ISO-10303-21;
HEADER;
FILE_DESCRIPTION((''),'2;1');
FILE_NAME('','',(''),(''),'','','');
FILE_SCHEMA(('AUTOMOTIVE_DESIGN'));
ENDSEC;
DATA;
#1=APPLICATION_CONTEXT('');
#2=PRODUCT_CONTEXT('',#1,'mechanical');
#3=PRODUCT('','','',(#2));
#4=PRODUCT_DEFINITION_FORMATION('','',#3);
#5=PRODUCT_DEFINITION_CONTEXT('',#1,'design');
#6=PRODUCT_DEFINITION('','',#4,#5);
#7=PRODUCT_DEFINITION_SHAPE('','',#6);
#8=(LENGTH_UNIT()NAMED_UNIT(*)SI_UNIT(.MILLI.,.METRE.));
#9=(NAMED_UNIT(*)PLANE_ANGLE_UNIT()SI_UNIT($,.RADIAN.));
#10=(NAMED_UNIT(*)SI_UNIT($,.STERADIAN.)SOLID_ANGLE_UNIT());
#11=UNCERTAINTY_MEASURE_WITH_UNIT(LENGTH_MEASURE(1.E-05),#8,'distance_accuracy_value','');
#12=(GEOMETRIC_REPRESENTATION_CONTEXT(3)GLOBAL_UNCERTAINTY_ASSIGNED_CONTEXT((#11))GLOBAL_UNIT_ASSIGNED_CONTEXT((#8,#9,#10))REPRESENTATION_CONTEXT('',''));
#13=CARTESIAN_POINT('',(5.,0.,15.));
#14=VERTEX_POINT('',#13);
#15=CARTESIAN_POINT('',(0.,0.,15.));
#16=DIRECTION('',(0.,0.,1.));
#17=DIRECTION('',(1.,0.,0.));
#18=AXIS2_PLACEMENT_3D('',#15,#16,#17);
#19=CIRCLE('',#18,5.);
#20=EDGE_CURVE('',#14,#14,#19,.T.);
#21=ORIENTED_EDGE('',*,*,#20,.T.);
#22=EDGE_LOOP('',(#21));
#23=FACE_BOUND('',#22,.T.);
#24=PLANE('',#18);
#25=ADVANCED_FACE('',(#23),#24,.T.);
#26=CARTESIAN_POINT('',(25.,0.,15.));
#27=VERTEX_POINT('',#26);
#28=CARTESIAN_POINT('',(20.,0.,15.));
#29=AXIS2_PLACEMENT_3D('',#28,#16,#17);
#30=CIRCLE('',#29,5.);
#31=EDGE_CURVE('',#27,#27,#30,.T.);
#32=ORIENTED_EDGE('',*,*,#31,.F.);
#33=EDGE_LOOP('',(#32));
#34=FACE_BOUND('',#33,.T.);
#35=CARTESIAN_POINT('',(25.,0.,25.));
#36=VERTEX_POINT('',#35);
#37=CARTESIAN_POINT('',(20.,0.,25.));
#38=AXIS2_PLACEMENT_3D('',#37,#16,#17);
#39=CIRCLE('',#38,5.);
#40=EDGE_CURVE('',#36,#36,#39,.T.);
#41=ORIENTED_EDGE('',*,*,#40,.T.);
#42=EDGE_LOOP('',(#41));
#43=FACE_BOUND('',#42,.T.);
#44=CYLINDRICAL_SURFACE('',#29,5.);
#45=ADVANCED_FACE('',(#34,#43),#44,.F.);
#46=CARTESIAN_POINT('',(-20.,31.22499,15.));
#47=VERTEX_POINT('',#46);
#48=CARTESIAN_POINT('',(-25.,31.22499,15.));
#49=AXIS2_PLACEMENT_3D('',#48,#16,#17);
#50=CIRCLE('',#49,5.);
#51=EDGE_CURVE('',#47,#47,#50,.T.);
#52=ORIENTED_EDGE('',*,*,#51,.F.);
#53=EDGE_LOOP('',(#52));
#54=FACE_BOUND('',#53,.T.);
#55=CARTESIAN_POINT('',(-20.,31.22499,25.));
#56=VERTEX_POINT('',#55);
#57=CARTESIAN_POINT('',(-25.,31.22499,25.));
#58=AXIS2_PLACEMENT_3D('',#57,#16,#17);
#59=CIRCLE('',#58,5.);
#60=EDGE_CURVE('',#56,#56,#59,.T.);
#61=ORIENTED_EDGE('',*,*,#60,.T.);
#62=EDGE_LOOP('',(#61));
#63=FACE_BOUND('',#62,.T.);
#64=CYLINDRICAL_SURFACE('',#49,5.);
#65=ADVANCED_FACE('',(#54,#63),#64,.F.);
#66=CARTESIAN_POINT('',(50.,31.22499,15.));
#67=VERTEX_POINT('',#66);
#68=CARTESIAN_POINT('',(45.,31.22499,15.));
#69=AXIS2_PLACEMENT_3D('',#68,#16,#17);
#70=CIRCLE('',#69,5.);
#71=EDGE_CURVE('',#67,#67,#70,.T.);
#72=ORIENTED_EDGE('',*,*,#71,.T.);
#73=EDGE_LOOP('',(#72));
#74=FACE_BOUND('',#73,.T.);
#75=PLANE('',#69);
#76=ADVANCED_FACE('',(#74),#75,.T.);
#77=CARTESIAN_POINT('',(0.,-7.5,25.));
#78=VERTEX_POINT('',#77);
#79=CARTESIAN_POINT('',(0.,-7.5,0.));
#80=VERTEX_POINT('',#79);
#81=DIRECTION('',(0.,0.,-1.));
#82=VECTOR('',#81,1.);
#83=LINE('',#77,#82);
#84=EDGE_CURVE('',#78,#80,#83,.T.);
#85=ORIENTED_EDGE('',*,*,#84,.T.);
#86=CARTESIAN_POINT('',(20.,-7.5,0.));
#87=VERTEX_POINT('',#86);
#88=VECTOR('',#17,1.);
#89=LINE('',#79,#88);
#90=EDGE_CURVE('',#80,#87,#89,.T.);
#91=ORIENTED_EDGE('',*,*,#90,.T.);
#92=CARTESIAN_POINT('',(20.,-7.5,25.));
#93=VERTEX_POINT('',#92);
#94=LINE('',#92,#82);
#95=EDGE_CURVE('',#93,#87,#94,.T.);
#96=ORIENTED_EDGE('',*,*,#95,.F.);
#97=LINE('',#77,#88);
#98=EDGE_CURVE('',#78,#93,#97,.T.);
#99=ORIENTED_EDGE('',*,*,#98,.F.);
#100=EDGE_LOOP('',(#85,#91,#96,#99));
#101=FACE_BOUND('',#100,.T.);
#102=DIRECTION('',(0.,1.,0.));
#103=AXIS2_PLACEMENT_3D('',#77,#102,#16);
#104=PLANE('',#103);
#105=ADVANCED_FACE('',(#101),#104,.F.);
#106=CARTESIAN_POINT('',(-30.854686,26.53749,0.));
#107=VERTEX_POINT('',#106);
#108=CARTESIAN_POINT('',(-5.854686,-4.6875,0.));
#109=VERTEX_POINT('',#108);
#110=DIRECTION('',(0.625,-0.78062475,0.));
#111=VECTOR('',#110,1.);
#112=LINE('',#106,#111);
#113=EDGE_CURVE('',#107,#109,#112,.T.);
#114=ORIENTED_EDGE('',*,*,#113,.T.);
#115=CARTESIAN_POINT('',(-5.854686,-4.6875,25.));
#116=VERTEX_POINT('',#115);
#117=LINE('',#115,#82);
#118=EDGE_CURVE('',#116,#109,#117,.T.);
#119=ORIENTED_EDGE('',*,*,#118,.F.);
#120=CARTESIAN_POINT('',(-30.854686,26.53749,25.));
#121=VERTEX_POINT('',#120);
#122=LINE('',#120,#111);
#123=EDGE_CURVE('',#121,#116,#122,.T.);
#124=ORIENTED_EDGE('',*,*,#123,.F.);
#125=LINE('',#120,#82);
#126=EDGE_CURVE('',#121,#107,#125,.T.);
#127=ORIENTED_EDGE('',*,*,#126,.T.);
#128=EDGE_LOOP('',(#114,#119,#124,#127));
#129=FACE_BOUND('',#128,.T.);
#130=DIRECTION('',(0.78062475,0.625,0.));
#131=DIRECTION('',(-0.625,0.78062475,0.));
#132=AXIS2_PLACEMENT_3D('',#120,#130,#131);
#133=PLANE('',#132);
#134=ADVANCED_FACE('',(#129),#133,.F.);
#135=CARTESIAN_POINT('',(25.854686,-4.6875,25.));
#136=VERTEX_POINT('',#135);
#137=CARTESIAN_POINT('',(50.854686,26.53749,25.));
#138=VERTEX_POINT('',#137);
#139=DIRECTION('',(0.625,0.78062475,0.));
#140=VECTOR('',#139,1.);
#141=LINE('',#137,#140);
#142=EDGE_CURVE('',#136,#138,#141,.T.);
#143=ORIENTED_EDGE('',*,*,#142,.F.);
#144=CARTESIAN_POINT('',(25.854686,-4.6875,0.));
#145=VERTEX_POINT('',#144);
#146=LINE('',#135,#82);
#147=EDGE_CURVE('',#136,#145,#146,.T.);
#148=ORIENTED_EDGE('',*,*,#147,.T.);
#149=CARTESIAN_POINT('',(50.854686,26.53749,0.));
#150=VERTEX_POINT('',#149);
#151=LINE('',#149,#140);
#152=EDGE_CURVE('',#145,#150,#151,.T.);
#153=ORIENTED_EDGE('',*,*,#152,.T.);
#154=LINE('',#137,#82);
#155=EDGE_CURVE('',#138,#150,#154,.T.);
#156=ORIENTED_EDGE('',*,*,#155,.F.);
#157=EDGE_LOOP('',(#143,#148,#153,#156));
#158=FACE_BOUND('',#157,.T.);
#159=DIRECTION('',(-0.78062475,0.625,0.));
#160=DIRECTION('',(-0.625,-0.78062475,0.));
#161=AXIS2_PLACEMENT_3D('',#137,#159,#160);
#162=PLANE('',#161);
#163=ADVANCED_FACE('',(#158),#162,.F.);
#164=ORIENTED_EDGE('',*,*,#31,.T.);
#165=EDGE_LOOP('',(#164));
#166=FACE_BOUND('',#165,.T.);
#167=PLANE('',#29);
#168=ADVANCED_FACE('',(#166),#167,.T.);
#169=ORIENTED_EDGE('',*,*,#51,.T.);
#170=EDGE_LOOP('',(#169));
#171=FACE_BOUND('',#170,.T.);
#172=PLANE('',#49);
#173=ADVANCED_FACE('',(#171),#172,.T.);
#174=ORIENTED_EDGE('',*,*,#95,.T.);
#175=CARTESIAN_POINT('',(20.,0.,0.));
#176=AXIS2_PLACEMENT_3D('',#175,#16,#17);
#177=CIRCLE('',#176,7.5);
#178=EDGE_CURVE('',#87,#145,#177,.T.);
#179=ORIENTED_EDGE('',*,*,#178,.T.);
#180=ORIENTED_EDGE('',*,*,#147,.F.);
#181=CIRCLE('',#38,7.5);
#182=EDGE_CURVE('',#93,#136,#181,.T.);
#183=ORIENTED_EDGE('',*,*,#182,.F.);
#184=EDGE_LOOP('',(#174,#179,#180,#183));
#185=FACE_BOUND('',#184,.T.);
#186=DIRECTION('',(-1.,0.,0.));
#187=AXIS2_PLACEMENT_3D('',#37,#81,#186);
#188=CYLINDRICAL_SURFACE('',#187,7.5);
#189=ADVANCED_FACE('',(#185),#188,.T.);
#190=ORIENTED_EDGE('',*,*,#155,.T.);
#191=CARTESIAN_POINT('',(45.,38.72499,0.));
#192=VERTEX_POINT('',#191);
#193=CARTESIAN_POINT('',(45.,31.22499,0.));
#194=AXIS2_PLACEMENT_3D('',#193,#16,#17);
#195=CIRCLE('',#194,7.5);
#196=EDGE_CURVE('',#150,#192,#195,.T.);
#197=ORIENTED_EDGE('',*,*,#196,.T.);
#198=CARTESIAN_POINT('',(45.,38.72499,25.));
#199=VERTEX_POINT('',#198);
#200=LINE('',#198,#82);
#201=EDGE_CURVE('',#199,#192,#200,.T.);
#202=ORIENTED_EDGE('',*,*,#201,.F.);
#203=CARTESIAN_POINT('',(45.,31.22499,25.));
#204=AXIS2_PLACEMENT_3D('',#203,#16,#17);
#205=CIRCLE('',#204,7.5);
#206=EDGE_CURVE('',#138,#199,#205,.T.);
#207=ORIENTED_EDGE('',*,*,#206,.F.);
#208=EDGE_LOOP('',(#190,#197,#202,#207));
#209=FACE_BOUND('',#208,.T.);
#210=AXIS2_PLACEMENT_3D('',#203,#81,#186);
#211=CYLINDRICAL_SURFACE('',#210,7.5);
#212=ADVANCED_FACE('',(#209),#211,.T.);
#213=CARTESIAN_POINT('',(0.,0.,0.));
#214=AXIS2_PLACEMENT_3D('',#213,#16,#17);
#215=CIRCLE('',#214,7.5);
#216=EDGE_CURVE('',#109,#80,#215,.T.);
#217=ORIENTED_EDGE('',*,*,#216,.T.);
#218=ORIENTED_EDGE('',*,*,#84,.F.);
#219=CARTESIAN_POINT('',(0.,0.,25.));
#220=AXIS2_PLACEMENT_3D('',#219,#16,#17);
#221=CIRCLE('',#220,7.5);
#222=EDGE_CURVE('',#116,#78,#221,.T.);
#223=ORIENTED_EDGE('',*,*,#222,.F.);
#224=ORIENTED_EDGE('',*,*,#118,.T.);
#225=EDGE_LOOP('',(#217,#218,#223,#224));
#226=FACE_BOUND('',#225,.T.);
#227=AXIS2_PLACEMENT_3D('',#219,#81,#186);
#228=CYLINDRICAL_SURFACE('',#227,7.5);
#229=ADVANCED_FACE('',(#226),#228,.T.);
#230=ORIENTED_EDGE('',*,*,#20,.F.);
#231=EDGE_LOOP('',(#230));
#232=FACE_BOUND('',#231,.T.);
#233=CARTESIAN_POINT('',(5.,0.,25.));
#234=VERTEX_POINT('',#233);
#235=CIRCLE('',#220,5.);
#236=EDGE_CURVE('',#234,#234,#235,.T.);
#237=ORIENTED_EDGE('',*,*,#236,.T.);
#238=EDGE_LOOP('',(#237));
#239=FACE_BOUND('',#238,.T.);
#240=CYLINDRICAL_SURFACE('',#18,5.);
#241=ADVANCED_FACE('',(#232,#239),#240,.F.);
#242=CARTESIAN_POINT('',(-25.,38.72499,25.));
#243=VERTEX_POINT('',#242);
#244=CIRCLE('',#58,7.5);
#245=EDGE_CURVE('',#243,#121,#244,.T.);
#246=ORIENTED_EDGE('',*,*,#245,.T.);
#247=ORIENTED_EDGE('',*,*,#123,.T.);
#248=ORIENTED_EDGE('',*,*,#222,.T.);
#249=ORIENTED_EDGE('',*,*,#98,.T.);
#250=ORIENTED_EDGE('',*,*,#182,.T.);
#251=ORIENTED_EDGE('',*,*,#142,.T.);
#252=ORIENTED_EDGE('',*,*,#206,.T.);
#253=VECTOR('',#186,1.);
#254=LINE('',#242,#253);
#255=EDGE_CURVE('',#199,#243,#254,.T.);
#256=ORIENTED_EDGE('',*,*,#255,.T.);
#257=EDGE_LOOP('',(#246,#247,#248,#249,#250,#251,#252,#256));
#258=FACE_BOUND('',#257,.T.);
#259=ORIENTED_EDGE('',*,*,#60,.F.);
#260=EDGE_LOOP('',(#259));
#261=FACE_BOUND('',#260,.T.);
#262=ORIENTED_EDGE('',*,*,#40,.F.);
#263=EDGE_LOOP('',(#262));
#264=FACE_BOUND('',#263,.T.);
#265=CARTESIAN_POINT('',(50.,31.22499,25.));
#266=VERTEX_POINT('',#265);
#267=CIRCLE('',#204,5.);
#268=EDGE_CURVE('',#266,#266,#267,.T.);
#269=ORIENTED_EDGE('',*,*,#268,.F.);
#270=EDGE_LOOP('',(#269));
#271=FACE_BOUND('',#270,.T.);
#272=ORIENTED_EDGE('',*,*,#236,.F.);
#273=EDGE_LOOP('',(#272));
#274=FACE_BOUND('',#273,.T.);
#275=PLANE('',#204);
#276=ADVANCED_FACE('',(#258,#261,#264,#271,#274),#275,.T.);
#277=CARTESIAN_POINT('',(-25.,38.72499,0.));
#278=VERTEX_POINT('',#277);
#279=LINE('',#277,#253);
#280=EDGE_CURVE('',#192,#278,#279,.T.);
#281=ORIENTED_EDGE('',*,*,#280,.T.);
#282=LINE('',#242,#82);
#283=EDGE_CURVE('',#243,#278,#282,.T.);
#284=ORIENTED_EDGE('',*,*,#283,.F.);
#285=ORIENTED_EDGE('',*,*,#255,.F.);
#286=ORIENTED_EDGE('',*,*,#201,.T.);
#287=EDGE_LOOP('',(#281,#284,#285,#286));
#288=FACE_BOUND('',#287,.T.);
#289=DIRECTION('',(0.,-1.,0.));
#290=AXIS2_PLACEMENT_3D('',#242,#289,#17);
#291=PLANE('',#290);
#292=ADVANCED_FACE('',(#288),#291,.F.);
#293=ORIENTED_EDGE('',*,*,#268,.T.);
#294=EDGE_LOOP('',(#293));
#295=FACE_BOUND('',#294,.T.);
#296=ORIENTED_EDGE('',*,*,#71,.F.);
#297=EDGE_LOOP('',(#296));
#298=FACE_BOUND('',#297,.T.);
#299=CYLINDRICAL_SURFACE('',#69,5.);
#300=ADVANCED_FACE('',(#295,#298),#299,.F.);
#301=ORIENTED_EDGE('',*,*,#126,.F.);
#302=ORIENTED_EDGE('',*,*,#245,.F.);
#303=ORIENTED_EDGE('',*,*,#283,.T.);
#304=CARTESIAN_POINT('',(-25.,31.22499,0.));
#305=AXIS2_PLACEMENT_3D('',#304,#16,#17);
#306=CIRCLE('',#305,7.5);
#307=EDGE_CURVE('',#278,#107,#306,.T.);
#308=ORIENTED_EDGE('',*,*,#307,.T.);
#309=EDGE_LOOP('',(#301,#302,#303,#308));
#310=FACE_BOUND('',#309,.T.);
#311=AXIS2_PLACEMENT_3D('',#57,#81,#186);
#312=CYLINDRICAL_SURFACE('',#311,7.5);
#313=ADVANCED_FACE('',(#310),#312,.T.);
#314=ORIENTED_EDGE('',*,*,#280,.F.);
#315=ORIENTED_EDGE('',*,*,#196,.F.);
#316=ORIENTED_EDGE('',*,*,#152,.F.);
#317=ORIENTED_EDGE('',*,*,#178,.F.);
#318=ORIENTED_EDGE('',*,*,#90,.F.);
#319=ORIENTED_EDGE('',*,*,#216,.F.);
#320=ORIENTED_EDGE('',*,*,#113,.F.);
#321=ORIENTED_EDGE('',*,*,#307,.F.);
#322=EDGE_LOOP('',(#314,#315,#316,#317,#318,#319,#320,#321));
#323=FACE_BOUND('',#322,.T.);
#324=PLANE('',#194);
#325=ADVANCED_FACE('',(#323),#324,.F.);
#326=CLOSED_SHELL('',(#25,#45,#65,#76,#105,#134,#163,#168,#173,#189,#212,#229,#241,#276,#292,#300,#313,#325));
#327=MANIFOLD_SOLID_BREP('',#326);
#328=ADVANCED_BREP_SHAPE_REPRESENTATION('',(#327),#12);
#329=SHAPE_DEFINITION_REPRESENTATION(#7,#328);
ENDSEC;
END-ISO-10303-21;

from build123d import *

# Parameters (mm, degrees)
EXTRUDE_1_DEPTH     = 25
SKETCH_2_R          = 5
CUT_EXTRUDE_1_DEPTH = 10


with BuildPart() as part:
    # 草图1 → 凸台-拉伸1 (new body)
    with BuildSketch(Plane.XY):
        with BuildLine():
            Line((0, -7.5), (20, -7.5))
            ThreePointArc((20, -7.5), (23.247595264, -6.760408641), (25.854685623, -4.6875))
            Line((25.854685623, -4.6875), (50.854685623, 26.537489992))
            ThreePointArc((50.854685623, 26.537489992), (51.760408641, 34.472585256), (45, 38.724989992))
            Line((45, 38.724989992), (-25, 38.724989992))
            ThreePointArc((-25, 38.724989992), (-31.760408641, 34.472585256), (-30.854685623, 26.537489992))
            Line((-30.854685623, 26.537489992), (-5.854685623, -4.6875))
            ThreePointArc((-5.854685623, -4.6875), (-3.247595264, -6.760408641), (0, -7.5))
        make_face()
    extrude(amount=EXTRUDE_1_DEPTH)

    # 草图2 → 切除-拉伸1 (cut)
    with BuildSketch(Plane.XY.offset(25)):
        with Locations((-25, 31.224989992)):
            Circle(SKETCH_2_R)
        Circle(SKETCH_2_R)
        with Locations((20, 0)):
            Circle(SKETCH_2_R)
        with Locations((45, 31.224989992)):
            Circle(SKETCH_2_R)
    extrude(amount=-CUT_EXTRUDE_1_DEPTH, mode=Mode.SUBTRACT)


solid = part.part
